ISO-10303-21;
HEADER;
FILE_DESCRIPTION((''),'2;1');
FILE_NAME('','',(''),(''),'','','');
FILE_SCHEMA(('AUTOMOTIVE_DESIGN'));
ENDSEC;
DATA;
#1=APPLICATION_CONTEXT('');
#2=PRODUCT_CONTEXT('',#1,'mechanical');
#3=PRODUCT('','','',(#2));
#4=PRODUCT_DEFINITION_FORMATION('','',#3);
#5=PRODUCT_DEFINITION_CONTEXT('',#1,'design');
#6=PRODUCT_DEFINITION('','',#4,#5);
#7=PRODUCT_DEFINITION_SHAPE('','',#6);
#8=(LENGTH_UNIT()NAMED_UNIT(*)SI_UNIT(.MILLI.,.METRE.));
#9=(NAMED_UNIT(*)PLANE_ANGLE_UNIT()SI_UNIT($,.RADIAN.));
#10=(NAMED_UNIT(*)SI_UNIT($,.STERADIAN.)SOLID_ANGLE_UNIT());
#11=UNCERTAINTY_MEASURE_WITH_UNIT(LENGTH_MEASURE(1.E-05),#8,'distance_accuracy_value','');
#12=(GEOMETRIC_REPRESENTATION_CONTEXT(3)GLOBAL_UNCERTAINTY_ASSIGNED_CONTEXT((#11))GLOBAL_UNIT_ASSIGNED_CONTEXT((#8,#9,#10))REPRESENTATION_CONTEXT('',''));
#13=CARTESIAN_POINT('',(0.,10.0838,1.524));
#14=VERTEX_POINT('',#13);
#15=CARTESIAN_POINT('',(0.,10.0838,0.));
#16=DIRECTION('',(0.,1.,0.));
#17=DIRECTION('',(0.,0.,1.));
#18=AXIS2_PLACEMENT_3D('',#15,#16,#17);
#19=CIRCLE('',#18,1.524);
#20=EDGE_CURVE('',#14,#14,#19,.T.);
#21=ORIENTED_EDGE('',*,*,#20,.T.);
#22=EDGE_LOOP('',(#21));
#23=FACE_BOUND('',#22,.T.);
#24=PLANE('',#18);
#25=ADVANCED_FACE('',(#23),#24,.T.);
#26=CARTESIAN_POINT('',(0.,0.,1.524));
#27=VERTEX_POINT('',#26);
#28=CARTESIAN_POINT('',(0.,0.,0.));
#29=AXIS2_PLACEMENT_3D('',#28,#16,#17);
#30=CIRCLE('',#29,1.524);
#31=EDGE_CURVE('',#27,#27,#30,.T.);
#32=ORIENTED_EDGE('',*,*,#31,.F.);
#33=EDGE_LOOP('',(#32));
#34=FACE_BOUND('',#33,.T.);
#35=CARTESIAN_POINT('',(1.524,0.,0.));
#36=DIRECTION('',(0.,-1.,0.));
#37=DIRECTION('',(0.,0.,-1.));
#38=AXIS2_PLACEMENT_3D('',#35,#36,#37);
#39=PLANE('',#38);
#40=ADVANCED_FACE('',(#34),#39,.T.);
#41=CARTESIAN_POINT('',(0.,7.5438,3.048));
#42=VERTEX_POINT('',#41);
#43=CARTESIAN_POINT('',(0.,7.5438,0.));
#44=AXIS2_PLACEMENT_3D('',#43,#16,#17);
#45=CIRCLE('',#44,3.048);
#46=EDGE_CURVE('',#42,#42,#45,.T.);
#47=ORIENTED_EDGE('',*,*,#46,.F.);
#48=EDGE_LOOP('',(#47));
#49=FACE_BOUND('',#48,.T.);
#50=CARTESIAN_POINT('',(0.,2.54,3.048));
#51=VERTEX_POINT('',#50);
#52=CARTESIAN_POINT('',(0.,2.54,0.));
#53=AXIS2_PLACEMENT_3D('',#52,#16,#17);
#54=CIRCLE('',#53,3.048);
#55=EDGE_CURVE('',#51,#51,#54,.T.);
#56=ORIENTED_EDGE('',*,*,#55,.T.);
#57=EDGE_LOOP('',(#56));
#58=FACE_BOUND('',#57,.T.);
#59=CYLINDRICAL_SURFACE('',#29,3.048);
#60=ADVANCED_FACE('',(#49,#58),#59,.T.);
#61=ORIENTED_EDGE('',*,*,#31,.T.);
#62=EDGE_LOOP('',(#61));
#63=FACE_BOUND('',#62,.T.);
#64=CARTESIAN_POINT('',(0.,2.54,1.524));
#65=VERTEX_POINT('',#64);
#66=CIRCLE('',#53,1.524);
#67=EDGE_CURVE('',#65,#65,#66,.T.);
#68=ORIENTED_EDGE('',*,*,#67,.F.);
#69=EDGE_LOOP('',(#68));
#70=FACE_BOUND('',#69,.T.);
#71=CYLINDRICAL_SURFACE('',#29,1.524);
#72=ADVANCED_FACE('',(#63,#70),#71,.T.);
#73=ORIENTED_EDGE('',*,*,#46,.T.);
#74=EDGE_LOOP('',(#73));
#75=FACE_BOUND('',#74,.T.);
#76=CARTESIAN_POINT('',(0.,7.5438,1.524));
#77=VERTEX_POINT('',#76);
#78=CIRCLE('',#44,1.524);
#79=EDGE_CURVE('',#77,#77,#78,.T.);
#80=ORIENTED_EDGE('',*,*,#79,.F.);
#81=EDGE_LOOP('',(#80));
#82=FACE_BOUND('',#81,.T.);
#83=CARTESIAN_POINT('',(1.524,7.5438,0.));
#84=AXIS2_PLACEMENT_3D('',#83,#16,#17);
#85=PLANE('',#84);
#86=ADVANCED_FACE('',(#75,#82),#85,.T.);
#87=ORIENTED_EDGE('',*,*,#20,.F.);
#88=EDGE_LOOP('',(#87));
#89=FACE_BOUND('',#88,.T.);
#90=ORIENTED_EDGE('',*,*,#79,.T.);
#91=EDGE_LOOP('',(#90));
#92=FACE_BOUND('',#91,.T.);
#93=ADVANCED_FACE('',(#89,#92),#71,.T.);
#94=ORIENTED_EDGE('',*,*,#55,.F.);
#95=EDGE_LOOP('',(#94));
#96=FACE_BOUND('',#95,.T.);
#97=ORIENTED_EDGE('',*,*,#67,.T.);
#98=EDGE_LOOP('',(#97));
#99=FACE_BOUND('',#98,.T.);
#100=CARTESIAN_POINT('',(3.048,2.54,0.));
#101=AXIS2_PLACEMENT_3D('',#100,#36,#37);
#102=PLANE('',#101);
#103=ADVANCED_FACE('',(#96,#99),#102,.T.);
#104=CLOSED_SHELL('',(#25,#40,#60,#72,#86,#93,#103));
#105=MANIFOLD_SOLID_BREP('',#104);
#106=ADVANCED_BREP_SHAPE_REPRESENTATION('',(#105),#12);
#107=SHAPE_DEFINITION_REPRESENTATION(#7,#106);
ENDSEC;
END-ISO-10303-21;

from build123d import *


with BuildPart() as part:
    # Sketch1 → Revolve1 (revolve)
    with BuildSketch(Plane(origin=(0, 0, 0), x_dir=(-1, 0, 0), z_dir=(0, 0, -1)), mode=Mode.PRIVATE) as revolve1_sk:
        Polygon((-1.524, 0), (0, 0), (0, 10.0838), (-1.524, 10.0838), (-1.524, 7.5438), (-3.048, 7.5438), (-3.048, 2.54), (-1.524, 2.54), align=None)
    revolve(revolve1_sk.sketch.rotate(Axis((0, 0, 0), (0, 1, 0)), 270), axis=Axis((0, 0, 0), (0, 1, 0)))


solid = part.part
